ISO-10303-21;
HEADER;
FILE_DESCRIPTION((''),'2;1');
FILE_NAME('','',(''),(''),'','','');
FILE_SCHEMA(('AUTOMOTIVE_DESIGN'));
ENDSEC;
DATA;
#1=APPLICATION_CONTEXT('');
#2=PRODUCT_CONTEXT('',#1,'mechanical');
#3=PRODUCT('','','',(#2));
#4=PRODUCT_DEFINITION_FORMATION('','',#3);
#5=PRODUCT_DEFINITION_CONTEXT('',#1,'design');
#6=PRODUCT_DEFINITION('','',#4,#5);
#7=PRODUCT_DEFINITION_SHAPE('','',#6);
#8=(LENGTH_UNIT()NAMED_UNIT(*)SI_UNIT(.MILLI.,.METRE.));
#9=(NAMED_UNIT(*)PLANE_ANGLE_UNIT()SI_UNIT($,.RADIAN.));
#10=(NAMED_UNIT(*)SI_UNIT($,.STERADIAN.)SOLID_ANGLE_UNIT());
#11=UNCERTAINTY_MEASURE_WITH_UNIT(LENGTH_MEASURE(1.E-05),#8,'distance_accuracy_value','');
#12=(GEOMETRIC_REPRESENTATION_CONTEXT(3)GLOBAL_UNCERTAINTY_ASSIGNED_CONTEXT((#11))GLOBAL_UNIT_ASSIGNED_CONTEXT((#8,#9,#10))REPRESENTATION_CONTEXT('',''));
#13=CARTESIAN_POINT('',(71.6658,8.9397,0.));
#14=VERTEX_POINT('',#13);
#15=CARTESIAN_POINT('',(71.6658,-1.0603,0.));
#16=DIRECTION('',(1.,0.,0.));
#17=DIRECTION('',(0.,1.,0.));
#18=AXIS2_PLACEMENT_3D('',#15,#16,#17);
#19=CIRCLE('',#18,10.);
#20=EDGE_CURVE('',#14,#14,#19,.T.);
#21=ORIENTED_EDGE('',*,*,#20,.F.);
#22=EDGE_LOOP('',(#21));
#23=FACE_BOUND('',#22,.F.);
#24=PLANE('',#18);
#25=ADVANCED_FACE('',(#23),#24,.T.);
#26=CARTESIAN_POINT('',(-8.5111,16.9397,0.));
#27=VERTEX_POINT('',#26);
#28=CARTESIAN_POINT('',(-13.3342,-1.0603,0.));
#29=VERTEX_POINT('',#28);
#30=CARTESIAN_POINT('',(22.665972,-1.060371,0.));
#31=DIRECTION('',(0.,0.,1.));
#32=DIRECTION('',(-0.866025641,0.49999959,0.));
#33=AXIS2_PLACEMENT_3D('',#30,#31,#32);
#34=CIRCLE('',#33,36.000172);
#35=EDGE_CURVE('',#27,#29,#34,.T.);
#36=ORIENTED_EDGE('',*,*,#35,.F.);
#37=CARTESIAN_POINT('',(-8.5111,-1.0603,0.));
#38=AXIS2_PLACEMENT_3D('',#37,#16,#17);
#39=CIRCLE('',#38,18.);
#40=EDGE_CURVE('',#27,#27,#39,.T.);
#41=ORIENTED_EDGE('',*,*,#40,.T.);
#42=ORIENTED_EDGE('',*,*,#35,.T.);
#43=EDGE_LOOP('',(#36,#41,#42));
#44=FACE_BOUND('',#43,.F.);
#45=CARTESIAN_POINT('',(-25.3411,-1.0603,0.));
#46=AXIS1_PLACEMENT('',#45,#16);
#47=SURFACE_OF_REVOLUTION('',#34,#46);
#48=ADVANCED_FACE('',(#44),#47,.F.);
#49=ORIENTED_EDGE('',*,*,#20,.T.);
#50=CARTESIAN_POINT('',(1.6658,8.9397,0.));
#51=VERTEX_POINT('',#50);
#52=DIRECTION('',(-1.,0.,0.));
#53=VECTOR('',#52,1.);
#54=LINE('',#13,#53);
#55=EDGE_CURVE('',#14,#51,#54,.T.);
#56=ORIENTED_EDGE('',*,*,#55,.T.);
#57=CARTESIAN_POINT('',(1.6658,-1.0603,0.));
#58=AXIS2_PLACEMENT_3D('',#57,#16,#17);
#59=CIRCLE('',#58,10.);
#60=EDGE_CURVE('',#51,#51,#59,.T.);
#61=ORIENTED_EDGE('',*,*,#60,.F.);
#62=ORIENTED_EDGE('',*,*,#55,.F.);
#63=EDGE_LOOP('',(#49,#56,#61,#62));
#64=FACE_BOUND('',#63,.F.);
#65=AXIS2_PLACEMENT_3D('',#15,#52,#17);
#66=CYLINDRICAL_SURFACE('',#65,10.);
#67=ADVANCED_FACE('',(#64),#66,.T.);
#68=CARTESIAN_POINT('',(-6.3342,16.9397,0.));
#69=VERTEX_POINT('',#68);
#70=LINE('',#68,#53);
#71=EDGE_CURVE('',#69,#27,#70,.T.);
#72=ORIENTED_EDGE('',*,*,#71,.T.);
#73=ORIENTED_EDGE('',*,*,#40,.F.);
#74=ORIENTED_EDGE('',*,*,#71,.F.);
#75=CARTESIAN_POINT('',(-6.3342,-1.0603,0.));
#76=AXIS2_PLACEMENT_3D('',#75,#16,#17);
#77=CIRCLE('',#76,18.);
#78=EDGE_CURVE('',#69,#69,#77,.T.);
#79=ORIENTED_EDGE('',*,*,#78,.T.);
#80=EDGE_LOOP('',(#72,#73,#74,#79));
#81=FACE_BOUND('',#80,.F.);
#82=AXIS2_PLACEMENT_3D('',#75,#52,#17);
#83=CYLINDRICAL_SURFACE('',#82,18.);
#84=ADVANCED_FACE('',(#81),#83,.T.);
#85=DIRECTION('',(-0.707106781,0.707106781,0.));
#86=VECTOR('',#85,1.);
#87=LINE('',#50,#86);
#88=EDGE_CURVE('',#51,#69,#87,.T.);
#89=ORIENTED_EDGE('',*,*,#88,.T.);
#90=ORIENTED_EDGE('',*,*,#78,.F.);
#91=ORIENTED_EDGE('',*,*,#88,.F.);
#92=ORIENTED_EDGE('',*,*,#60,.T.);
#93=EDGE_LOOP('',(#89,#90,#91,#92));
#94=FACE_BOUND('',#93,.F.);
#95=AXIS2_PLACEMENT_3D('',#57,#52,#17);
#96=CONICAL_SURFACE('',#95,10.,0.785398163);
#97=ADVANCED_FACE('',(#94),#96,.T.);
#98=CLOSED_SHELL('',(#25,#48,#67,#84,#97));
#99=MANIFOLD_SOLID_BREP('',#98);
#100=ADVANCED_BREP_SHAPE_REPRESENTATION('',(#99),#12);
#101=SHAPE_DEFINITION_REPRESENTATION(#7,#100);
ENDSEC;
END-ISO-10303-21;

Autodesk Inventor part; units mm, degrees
ref_plane "YZ Plane" through (0, 0, 0) normal (1, 0, 0) x (0, 1, 0)
ref_plane "XZ Plane" through (0, 0, 0) normal (0, 1, 0) x (-1, 0, 0)
ref_plane "XY Plane" through (0, 0, 0) normal (0, 0, 1) x (1, 0, 0)
sketch "草图1" plane through (0, 0, 0) normal (0, 0, 1) x (1, 0, 0)
  line L0 (-25.3411, -1.0603) -> (77.0972, -1.0603)
  line L1 (71.6658, -1.0603) -> (71.6658, 8.9397)
  line L2 (71.6658, 8.9397) -> (1.6658, 8.9397)
  line L3 (1.6658, 8.9397) -> (-6.3342, 16.9397)
  line L4 (-6.3342, 16.9397) -> (-6.3342, -1.0603)
  line L5 (-6.3342, 16.9397) -> (-8.5111, 16.9397)
  line L6 (-8.5111, 16.9397) -> (-8.5111, -1.0603)
  line L7 (1.6658, 8.9397) -> (1.6658, -1.0603)
  arc A0 (-8.5111, 16.9397) -> (-13.3342, -1.0603) centre (22.6658, -1.0603) ccw
  line L8 (1.6658, 8.9397) -> (1.6658, 23.5751) construction
  point P0 (0, 0)
  dimension "d0" = 45
  dimension "d1" = 70
  dimension "d2" = 85
  dimension "d3" = 10
  dimension "d4" = 18
  dimension "d5" = 36
revolve "旋转1" add sketch "草图1" angle 360 about axis through (-25.3411, -1.0603, 0) along (1, 0, 0)
